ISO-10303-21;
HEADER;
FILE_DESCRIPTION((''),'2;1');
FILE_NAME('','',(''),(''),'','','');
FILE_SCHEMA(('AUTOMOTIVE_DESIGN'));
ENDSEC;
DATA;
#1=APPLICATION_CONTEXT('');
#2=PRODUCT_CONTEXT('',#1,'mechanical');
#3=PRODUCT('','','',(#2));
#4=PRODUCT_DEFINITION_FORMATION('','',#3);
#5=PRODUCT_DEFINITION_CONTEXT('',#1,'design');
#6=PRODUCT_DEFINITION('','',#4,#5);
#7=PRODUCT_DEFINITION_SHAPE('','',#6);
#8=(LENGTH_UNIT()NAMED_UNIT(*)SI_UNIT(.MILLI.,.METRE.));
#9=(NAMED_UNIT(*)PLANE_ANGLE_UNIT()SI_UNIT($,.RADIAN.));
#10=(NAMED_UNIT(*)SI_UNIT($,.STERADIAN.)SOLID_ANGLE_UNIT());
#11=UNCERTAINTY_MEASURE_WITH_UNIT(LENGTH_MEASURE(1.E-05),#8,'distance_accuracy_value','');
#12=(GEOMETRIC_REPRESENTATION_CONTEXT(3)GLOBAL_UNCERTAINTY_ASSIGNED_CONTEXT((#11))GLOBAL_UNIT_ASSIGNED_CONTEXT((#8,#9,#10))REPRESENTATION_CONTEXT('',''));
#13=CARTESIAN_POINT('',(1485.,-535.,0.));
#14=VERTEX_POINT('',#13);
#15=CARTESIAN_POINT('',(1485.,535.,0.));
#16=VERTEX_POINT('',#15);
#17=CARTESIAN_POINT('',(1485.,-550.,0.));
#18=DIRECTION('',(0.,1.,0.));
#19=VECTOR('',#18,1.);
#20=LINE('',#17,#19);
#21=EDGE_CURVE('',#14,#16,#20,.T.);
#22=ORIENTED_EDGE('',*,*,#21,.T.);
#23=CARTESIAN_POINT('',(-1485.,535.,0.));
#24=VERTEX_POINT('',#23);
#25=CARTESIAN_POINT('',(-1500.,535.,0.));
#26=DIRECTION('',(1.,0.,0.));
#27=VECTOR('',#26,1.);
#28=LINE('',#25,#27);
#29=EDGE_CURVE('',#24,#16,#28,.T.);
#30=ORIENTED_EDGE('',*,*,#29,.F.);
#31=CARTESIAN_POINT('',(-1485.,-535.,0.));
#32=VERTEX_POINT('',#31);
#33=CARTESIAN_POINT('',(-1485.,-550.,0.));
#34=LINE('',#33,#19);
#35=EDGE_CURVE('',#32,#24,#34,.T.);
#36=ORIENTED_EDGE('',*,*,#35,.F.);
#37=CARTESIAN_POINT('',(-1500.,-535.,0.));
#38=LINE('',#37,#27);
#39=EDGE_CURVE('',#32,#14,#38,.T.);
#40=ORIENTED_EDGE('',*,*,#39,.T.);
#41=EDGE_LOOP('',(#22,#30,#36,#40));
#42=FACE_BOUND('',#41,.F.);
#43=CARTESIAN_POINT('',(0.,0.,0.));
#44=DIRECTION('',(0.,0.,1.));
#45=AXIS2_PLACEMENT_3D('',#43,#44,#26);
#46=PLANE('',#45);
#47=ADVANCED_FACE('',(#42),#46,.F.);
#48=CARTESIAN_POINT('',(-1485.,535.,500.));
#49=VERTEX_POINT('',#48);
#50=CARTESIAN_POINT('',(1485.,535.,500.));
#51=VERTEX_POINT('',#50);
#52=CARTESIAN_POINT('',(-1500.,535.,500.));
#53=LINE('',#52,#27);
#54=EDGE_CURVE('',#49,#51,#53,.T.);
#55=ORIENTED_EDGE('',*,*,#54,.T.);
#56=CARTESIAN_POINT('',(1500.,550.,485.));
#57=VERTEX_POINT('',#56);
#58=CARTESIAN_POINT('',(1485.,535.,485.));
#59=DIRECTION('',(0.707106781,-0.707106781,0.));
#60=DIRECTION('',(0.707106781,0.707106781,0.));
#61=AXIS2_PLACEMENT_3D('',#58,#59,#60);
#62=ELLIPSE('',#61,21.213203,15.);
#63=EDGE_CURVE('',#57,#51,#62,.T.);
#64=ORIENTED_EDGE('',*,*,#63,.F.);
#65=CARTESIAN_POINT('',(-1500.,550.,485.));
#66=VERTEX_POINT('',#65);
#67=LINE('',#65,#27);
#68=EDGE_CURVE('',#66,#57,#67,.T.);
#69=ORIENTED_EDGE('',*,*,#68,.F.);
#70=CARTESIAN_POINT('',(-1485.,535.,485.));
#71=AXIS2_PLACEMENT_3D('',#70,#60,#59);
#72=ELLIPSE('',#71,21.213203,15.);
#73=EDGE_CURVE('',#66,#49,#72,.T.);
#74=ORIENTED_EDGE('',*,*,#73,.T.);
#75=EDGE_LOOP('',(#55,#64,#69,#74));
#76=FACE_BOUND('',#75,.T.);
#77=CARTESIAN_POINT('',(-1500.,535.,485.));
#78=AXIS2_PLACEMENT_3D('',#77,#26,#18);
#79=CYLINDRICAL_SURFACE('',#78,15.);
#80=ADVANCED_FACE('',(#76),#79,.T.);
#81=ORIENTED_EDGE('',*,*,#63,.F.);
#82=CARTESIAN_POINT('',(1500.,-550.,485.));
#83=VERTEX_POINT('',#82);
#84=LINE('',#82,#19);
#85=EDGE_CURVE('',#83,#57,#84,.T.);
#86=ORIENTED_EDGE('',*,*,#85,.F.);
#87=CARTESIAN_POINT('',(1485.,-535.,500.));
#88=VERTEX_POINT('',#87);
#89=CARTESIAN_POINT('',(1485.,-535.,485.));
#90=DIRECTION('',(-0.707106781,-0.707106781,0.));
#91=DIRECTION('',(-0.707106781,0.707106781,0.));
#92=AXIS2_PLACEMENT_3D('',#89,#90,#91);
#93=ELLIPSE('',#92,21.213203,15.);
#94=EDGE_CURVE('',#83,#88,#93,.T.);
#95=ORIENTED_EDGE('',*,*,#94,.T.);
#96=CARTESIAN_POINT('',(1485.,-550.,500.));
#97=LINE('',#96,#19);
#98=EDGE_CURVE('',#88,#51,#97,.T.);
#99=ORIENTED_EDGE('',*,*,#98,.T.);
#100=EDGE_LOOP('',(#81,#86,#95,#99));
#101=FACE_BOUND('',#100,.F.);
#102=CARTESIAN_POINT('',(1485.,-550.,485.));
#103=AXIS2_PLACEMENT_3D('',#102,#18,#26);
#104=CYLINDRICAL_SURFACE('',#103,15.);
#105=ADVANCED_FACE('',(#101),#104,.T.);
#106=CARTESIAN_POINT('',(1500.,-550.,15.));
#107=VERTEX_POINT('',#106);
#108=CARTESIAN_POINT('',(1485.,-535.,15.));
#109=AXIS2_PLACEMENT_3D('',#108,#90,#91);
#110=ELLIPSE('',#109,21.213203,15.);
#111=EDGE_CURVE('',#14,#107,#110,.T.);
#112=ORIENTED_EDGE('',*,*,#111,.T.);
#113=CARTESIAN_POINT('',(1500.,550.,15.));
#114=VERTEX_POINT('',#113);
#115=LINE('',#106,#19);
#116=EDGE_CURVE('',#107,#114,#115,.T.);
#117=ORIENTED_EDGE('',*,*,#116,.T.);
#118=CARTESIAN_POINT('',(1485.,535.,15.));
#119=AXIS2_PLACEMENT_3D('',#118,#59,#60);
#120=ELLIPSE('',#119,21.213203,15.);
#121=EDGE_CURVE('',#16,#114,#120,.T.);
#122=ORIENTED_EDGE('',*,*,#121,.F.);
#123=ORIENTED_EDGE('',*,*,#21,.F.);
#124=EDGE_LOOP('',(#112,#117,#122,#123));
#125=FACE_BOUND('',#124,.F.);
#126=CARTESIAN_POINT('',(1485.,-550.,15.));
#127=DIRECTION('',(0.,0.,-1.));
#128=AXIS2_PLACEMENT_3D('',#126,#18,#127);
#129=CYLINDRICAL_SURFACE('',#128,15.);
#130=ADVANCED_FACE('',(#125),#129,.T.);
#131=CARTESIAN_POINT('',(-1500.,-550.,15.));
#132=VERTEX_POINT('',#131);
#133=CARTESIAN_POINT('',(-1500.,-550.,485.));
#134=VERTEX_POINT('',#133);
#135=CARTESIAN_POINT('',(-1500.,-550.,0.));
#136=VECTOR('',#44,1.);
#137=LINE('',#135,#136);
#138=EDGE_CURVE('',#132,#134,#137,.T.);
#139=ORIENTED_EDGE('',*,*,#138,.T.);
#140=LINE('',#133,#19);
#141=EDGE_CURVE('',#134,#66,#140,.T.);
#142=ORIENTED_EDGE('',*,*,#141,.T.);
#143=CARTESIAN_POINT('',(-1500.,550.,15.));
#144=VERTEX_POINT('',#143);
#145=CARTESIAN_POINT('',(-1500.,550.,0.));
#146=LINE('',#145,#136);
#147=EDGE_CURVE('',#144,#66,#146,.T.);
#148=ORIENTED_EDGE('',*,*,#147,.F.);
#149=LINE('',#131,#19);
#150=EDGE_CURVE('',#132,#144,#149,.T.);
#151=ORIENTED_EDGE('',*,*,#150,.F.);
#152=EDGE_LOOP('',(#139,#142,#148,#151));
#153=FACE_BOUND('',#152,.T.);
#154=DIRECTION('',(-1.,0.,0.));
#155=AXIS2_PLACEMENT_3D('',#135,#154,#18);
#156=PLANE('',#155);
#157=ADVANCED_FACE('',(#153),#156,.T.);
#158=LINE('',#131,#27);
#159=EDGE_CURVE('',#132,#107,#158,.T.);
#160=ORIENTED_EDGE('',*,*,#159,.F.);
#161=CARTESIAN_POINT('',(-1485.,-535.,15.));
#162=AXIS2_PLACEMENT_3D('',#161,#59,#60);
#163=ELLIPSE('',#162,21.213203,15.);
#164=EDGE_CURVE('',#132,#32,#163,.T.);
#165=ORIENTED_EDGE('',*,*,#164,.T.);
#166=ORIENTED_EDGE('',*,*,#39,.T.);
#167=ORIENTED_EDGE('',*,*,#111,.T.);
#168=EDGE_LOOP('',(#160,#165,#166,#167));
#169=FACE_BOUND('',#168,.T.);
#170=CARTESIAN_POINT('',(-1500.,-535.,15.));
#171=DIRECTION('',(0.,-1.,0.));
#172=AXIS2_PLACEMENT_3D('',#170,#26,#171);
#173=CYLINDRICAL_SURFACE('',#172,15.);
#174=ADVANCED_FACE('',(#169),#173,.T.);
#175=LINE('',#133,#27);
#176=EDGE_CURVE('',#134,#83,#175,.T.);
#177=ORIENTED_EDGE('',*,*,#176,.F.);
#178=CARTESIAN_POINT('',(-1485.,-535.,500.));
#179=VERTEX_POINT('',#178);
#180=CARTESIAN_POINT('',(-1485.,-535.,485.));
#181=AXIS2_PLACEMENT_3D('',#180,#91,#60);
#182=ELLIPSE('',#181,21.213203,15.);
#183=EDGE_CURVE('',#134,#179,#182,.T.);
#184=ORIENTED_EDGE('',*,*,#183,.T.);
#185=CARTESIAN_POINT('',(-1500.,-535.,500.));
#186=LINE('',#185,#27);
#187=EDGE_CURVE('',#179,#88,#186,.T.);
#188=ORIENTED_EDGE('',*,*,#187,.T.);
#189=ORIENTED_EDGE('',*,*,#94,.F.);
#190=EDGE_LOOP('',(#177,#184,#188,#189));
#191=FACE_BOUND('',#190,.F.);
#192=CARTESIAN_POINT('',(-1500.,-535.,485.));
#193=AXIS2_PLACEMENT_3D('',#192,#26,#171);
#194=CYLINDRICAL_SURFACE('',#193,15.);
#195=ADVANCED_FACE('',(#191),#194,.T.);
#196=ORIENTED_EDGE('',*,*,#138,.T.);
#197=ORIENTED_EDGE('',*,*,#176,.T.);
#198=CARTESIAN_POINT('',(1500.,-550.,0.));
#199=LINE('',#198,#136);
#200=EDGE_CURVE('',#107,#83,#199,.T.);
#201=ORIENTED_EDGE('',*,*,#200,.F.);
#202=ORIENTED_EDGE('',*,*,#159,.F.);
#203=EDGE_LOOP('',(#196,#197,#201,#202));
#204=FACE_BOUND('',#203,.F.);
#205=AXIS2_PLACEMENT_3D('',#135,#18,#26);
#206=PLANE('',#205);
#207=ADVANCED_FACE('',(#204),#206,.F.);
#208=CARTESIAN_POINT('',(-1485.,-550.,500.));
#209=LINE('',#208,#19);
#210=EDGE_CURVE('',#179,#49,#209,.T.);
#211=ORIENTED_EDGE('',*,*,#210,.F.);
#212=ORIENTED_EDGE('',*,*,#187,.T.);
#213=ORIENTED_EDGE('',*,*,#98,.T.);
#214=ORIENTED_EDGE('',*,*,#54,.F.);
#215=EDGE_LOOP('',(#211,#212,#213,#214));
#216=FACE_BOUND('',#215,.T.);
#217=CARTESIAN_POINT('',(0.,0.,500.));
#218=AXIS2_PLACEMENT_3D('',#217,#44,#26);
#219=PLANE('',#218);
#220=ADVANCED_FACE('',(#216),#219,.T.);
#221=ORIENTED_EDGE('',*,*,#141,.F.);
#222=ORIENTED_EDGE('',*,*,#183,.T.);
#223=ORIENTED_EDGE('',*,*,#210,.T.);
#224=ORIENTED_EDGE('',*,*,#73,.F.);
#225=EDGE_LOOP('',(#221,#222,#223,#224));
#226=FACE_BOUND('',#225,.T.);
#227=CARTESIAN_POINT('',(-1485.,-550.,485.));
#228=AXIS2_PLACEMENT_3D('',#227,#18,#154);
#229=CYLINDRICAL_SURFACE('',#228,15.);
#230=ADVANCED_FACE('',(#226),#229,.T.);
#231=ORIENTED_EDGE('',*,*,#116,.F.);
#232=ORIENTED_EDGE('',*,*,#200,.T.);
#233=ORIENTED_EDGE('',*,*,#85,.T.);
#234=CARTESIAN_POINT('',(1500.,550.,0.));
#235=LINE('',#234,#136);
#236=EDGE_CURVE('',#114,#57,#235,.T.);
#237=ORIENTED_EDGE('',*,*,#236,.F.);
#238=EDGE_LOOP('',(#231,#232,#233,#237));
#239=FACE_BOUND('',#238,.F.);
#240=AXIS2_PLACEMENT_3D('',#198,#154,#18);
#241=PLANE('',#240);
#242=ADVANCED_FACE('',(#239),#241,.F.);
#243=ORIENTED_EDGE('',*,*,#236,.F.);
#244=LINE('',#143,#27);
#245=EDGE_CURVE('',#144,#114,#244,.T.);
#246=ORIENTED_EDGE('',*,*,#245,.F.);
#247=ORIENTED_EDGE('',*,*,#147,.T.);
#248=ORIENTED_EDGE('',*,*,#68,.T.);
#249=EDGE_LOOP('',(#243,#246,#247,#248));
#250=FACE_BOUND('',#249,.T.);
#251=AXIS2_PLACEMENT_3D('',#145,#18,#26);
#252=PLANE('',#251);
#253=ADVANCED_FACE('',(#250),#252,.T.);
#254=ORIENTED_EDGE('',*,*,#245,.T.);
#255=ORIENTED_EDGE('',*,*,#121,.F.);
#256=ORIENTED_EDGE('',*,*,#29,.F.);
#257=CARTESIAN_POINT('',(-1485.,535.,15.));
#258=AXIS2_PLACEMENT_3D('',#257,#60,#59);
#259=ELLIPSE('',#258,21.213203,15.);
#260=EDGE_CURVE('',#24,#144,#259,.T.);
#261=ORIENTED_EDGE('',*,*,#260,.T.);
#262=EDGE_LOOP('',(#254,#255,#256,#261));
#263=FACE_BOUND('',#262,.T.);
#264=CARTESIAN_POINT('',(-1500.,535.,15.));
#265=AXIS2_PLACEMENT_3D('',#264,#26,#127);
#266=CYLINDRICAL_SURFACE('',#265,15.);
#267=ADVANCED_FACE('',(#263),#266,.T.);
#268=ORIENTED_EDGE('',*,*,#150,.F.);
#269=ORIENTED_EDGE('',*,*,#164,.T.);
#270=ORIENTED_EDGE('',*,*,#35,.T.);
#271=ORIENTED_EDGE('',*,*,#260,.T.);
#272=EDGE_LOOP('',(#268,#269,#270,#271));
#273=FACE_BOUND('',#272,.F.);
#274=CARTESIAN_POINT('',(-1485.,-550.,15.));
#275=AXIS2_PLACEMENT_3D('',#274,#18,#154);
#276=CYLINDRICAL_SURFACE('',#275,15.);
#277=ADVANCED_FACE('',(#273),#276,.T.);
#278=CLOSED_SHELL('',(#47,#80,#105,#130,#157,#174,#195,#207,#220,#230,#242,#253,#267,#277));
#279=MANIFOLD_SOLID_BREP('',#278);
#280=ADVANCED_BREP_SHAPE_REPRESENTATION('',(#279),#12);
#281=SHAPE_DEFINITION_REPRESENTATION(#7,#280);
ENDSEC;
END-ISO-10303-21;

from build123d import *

# Parameters (mm, degrees)
SKETCH_W    = 3000
SKETCH_H    = 1100
PAD_DEPTH   = 500
FILLET_R    = 15
FILLET001_R = 15


with BuildPart() as part:
    # Sketch → Pad (new body)
    with BuildSketch(Plane.XY):
        Rectangle(SKETCH_W, SKETCH_H)
    extrude(amount=PAD_DEPTH)

    # Fillet
    fillet_edges = [part.edges().sort_by_distance(p)[0] for p in [
        (0, 550, 500),
        (1500, 0, 500),
        (0, -550, 500),
        (-1500, 0, 500),
    ]]
    fillet(fillet_edges, radius=FILLET_R)

    # Fillet001
    fillet001_edges = [part.edges().sort_by_distance(p)[0] for p in [
        (0, 550, 0),
        (1500, 0, 0),
        (0, -550, 0),
        (-1500, 0, 0),
    ]]
    fillet(fillet001_edges, radius=FILLET001_R)


solid = part.part
